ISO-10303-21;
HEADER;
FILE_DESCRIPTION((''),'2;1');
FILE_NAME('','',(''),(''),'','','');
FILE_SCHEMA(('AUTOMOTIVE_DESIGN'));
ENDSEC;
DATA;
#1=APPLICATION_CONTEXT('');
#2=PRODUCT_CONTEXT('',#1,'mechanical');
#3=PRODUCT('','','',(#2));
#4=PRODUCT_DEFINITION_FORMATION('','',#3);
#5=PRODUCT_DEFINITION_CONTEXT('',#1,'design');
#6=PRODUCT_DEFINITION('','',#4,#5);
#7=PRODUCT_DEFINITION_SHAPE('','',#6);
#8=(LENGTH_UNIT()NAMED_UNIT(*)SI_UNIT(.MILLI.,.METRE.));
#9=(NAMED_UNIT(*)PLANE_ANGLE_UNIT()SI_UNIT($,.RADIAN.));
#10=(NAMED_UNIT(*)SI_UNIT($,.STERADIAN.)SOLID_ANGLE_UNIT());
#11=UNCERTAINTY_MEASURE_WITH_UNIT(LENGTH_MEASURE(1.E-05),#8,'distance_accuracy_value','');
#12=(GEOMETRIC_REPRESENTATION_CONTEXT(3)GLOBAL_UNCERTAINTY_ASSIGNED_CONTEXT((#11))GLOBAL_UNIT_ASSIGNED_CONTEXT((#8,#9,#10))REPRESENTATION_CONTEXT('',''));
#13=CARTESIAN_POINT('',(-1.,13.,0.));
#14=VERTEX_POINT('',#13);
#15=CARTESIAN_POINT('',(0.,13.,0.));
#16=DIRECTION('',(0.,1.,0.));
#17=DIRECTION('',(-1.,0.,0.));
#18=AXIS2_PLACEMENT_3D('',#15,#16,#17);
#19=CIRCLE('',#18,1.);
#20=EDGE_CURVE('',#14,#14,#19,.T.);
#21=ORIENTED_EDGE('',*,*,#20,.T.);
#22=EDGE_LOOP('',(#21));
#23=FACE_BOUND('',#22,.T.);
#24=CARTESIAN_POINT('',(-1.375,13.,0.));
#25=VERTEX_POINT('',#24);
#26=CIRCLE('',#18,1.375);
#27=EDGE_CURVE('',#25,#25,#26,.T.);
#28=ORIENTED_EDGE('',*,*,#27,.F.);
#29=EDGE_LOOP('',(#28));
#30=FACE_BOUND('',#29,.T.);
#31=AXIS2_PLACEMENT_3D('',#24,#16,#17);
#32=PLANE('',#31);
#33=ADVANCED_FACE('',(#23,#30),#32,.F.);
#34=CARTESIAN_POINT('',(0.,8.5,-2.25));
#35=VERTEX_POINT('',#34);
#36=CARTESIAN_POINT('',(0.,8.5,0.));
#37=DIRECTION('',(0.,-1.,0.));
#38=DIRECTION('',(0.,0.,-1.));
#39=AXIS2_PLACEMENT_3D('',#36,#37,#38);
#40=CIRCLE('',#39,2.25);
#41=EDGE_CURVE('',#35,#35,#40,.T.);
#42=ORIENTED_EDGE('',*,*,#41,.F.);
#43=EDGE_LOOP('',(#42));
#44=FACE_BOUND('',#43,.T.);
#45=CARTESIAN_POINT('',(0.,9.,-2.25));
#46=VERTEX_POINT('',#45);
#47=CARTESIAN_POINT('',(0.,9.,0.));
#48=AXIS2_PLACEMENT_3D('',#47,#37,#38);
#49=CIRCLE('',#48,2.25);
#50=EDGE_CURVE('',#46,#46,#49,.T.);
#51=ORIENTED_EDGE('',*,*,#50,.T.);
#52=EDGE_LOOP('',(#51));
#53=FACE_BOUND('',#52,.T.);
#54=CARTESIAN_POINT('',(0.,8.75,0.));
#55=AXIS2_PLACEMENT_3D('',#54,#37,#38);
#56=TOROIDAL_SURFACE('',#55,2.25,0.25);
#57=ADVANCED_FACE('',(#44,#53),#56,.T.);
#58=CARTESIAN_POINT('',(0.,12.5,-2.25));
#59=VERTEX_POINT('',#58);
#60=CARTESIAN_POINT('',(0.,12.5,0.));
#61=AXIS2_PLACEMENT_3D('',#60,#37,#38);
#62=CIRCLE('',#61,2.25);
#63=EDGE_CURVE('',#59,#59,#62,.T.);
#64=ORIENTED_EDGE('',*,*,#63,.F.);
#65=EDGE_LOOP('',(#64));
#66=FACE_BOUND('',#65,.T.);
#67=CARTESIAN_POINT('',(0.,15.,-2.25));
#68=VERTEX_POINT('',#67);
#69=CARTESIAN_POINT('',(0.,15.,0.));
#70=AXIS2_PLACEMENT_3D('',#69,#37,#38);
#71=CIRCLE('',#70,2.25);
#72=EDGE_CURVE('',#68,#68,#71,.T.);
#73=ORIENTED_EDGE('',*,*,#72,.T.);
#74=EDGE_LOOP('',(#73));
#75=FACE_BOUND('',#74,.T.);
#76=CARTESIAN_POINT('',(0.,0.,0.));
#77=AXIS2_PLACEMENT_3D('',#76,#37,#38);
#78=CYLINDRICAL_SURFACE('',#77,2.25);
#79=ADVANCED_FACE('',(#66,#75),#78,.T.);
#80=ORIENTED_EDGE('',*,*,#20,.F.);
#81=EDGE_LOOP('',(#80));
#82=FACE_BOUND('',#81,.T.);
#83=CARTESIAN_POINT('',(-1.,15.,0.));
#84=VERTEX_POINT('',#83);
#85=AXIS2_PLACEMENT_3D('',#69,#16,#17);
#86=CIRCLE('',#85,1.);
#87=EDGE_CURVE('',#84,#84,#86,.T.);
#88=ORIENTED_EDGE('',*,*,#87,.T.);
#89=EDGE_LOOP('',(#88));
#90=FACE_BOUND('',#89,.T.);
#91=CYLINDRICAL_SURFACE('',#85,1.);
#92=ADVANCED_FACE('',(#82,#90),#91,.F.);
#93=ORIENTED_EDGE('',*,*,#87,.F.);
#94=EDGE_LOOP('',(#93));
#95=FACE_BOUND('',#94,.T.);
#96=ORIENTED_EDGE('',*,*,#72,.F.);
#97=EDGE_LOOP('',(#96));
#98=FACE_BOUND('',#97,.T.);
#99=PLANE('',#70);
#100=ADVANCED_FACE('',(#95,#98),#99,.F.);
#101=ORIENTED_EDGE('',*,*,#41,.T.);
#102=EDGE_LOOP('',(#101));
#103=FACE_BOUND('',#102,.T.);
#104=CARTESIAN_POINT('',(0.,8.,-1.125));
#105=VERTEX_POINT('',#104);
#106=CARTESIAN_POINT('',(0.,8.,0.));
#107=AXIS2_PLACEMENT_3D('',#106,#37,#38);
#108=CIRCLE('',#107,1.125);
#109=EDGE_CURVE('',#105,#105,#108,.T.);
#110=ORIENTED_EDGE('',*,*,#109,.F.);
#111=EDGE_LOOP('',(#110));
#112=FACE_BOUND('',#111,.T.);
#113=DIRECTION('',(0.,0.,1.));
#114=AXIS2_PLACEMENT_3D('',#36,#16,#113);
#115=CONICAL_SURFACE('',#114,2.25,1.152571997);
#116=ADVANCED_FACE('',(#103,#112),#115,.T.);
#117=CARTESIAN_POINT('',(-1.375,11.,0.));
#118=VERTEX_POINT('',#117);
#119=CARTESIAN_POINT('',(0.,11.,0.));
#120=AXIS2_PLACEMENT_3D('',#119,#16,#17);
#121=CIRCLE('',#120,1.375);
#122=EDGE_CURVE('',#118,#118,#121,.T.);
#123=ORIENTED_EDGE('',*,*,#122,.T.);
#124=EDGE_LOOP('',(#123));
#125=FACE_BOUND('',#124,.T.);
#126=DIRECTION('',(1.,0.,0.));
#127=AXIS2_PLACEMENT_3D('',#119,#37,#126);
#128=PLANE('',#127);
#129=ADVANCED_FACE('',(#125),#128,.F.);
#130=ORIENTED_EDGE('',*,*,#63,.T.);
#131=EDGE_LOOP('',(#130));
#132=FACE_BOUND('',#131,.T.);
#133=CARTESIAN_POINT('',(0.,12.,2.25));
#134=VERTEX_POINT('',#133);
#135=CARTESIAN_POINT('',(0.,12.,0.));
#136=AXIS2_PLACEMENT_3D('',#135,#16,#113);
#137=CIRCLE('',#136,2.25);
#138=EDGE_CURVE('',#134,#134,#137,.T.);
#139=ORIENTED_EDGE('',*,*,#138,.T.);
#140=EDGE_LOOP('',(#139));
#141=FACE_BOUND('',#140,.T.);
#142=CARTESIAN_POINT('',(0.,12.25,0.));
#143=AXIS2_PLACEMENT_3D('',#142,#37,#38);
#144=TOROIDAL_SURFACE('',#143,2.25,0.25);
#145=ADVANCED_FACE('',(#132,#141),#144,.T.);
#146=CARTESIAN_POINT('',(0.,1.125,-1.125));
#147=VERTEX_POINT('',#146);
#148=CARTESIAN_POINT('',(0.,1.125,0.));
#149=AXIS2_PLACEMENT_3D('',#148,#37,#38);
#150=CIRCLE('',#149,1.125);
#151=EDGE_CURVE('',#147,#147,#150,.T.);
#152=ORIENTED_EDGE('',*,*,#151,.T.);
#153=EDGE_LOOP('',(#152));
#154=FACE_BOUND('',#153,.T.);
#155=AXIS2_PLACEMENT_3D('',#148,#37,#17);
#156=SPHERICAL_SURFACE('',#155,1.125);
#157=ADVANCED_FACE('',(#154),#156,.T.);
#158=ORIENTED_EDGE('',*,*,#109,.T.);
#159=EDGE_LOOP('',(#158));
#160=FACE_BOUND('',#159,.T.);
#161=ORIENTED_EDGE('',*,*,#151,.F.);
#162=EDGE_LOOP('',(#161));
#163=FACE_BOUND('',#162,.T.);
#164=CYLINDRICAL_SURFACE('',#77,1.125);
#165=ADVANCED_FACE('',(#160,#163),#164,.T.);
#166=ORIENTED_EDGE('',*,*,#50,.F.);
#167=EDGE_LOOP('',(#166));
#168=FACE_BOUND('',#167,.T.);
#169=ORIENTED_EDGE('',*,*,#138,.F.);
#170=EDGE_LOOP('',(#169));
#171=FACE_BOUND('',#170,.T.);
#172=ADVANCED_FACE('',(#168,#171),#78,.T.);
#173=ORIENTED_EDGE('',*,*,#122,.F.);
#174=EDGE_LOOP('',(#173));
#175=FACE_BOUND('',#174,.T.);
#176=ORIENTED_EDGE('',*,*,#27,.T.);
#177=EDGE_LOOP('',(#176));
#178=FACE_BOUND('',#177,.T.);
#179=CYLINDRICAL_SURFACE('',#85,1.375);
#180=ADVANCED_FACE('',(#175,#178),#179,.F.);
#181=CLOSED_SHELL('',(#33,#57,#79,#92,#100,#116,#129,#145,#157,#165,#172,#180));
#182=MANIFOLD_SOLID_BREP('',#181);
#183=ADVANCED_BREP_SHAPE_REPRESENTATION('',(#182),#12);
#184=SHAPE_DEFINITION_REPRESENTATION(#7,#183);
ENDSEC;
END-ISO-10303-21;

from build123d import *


with BuildPart() as part:
    # Skizze1 → Rotation1 (revolve)
    with BuildSketch(Plane.XY):
        with BuildLine():
            Line((-2.25, 15), (-2.25, 8.5))
            Line((-2.25, 8.5), (-1.125, 8))
            Line((-1.125, 8), (-1.125, 1.125))
            ThreePointArc((-1.125, 1.125), (-0.795495129, 0.329504871), (0, 0))
            Line((0, 0), (0, 15))
            Line((0, 15), (-2.25, 15))
        make_face()
    revolve(axis=Axis((0, 0, 0), (0, 1, 0)))

    # Skizze2 → Schnitt-Rotation1 (revolve, cut)
    with BuildSketch(Plane.XY):
        Polygon((0, 15), (0, 11), (-1.375, 11), (-1.375, 13), (-1, 13), (-1, 15), align=None)
    revolve(axis=Axis((0, 15, 0), (0, -1, 0)), mode=Mode.SUBTRACT)

    # Skizze3 → Rotation2 (revolve)
    with BuildSketch(Plane.XY):
        with BuildLine():
            Line((-2.25, 12.5), (-2.25, 12))
            ThreePointArc((-2.25, 12), (-2.5, 12.25), (-2.25, 12.5))
        make_face()
        with BuildLine():
            Line((-2.25, 9), (-2.25, 8.5))
            ThreePointArc((-2.25, 8.5), (-2.5, 8.75), (-2.25, 9))
        make_face()
    revolve(axis=Axis((0, 0, 0), (0, 1, 0)))


solid = part.part
